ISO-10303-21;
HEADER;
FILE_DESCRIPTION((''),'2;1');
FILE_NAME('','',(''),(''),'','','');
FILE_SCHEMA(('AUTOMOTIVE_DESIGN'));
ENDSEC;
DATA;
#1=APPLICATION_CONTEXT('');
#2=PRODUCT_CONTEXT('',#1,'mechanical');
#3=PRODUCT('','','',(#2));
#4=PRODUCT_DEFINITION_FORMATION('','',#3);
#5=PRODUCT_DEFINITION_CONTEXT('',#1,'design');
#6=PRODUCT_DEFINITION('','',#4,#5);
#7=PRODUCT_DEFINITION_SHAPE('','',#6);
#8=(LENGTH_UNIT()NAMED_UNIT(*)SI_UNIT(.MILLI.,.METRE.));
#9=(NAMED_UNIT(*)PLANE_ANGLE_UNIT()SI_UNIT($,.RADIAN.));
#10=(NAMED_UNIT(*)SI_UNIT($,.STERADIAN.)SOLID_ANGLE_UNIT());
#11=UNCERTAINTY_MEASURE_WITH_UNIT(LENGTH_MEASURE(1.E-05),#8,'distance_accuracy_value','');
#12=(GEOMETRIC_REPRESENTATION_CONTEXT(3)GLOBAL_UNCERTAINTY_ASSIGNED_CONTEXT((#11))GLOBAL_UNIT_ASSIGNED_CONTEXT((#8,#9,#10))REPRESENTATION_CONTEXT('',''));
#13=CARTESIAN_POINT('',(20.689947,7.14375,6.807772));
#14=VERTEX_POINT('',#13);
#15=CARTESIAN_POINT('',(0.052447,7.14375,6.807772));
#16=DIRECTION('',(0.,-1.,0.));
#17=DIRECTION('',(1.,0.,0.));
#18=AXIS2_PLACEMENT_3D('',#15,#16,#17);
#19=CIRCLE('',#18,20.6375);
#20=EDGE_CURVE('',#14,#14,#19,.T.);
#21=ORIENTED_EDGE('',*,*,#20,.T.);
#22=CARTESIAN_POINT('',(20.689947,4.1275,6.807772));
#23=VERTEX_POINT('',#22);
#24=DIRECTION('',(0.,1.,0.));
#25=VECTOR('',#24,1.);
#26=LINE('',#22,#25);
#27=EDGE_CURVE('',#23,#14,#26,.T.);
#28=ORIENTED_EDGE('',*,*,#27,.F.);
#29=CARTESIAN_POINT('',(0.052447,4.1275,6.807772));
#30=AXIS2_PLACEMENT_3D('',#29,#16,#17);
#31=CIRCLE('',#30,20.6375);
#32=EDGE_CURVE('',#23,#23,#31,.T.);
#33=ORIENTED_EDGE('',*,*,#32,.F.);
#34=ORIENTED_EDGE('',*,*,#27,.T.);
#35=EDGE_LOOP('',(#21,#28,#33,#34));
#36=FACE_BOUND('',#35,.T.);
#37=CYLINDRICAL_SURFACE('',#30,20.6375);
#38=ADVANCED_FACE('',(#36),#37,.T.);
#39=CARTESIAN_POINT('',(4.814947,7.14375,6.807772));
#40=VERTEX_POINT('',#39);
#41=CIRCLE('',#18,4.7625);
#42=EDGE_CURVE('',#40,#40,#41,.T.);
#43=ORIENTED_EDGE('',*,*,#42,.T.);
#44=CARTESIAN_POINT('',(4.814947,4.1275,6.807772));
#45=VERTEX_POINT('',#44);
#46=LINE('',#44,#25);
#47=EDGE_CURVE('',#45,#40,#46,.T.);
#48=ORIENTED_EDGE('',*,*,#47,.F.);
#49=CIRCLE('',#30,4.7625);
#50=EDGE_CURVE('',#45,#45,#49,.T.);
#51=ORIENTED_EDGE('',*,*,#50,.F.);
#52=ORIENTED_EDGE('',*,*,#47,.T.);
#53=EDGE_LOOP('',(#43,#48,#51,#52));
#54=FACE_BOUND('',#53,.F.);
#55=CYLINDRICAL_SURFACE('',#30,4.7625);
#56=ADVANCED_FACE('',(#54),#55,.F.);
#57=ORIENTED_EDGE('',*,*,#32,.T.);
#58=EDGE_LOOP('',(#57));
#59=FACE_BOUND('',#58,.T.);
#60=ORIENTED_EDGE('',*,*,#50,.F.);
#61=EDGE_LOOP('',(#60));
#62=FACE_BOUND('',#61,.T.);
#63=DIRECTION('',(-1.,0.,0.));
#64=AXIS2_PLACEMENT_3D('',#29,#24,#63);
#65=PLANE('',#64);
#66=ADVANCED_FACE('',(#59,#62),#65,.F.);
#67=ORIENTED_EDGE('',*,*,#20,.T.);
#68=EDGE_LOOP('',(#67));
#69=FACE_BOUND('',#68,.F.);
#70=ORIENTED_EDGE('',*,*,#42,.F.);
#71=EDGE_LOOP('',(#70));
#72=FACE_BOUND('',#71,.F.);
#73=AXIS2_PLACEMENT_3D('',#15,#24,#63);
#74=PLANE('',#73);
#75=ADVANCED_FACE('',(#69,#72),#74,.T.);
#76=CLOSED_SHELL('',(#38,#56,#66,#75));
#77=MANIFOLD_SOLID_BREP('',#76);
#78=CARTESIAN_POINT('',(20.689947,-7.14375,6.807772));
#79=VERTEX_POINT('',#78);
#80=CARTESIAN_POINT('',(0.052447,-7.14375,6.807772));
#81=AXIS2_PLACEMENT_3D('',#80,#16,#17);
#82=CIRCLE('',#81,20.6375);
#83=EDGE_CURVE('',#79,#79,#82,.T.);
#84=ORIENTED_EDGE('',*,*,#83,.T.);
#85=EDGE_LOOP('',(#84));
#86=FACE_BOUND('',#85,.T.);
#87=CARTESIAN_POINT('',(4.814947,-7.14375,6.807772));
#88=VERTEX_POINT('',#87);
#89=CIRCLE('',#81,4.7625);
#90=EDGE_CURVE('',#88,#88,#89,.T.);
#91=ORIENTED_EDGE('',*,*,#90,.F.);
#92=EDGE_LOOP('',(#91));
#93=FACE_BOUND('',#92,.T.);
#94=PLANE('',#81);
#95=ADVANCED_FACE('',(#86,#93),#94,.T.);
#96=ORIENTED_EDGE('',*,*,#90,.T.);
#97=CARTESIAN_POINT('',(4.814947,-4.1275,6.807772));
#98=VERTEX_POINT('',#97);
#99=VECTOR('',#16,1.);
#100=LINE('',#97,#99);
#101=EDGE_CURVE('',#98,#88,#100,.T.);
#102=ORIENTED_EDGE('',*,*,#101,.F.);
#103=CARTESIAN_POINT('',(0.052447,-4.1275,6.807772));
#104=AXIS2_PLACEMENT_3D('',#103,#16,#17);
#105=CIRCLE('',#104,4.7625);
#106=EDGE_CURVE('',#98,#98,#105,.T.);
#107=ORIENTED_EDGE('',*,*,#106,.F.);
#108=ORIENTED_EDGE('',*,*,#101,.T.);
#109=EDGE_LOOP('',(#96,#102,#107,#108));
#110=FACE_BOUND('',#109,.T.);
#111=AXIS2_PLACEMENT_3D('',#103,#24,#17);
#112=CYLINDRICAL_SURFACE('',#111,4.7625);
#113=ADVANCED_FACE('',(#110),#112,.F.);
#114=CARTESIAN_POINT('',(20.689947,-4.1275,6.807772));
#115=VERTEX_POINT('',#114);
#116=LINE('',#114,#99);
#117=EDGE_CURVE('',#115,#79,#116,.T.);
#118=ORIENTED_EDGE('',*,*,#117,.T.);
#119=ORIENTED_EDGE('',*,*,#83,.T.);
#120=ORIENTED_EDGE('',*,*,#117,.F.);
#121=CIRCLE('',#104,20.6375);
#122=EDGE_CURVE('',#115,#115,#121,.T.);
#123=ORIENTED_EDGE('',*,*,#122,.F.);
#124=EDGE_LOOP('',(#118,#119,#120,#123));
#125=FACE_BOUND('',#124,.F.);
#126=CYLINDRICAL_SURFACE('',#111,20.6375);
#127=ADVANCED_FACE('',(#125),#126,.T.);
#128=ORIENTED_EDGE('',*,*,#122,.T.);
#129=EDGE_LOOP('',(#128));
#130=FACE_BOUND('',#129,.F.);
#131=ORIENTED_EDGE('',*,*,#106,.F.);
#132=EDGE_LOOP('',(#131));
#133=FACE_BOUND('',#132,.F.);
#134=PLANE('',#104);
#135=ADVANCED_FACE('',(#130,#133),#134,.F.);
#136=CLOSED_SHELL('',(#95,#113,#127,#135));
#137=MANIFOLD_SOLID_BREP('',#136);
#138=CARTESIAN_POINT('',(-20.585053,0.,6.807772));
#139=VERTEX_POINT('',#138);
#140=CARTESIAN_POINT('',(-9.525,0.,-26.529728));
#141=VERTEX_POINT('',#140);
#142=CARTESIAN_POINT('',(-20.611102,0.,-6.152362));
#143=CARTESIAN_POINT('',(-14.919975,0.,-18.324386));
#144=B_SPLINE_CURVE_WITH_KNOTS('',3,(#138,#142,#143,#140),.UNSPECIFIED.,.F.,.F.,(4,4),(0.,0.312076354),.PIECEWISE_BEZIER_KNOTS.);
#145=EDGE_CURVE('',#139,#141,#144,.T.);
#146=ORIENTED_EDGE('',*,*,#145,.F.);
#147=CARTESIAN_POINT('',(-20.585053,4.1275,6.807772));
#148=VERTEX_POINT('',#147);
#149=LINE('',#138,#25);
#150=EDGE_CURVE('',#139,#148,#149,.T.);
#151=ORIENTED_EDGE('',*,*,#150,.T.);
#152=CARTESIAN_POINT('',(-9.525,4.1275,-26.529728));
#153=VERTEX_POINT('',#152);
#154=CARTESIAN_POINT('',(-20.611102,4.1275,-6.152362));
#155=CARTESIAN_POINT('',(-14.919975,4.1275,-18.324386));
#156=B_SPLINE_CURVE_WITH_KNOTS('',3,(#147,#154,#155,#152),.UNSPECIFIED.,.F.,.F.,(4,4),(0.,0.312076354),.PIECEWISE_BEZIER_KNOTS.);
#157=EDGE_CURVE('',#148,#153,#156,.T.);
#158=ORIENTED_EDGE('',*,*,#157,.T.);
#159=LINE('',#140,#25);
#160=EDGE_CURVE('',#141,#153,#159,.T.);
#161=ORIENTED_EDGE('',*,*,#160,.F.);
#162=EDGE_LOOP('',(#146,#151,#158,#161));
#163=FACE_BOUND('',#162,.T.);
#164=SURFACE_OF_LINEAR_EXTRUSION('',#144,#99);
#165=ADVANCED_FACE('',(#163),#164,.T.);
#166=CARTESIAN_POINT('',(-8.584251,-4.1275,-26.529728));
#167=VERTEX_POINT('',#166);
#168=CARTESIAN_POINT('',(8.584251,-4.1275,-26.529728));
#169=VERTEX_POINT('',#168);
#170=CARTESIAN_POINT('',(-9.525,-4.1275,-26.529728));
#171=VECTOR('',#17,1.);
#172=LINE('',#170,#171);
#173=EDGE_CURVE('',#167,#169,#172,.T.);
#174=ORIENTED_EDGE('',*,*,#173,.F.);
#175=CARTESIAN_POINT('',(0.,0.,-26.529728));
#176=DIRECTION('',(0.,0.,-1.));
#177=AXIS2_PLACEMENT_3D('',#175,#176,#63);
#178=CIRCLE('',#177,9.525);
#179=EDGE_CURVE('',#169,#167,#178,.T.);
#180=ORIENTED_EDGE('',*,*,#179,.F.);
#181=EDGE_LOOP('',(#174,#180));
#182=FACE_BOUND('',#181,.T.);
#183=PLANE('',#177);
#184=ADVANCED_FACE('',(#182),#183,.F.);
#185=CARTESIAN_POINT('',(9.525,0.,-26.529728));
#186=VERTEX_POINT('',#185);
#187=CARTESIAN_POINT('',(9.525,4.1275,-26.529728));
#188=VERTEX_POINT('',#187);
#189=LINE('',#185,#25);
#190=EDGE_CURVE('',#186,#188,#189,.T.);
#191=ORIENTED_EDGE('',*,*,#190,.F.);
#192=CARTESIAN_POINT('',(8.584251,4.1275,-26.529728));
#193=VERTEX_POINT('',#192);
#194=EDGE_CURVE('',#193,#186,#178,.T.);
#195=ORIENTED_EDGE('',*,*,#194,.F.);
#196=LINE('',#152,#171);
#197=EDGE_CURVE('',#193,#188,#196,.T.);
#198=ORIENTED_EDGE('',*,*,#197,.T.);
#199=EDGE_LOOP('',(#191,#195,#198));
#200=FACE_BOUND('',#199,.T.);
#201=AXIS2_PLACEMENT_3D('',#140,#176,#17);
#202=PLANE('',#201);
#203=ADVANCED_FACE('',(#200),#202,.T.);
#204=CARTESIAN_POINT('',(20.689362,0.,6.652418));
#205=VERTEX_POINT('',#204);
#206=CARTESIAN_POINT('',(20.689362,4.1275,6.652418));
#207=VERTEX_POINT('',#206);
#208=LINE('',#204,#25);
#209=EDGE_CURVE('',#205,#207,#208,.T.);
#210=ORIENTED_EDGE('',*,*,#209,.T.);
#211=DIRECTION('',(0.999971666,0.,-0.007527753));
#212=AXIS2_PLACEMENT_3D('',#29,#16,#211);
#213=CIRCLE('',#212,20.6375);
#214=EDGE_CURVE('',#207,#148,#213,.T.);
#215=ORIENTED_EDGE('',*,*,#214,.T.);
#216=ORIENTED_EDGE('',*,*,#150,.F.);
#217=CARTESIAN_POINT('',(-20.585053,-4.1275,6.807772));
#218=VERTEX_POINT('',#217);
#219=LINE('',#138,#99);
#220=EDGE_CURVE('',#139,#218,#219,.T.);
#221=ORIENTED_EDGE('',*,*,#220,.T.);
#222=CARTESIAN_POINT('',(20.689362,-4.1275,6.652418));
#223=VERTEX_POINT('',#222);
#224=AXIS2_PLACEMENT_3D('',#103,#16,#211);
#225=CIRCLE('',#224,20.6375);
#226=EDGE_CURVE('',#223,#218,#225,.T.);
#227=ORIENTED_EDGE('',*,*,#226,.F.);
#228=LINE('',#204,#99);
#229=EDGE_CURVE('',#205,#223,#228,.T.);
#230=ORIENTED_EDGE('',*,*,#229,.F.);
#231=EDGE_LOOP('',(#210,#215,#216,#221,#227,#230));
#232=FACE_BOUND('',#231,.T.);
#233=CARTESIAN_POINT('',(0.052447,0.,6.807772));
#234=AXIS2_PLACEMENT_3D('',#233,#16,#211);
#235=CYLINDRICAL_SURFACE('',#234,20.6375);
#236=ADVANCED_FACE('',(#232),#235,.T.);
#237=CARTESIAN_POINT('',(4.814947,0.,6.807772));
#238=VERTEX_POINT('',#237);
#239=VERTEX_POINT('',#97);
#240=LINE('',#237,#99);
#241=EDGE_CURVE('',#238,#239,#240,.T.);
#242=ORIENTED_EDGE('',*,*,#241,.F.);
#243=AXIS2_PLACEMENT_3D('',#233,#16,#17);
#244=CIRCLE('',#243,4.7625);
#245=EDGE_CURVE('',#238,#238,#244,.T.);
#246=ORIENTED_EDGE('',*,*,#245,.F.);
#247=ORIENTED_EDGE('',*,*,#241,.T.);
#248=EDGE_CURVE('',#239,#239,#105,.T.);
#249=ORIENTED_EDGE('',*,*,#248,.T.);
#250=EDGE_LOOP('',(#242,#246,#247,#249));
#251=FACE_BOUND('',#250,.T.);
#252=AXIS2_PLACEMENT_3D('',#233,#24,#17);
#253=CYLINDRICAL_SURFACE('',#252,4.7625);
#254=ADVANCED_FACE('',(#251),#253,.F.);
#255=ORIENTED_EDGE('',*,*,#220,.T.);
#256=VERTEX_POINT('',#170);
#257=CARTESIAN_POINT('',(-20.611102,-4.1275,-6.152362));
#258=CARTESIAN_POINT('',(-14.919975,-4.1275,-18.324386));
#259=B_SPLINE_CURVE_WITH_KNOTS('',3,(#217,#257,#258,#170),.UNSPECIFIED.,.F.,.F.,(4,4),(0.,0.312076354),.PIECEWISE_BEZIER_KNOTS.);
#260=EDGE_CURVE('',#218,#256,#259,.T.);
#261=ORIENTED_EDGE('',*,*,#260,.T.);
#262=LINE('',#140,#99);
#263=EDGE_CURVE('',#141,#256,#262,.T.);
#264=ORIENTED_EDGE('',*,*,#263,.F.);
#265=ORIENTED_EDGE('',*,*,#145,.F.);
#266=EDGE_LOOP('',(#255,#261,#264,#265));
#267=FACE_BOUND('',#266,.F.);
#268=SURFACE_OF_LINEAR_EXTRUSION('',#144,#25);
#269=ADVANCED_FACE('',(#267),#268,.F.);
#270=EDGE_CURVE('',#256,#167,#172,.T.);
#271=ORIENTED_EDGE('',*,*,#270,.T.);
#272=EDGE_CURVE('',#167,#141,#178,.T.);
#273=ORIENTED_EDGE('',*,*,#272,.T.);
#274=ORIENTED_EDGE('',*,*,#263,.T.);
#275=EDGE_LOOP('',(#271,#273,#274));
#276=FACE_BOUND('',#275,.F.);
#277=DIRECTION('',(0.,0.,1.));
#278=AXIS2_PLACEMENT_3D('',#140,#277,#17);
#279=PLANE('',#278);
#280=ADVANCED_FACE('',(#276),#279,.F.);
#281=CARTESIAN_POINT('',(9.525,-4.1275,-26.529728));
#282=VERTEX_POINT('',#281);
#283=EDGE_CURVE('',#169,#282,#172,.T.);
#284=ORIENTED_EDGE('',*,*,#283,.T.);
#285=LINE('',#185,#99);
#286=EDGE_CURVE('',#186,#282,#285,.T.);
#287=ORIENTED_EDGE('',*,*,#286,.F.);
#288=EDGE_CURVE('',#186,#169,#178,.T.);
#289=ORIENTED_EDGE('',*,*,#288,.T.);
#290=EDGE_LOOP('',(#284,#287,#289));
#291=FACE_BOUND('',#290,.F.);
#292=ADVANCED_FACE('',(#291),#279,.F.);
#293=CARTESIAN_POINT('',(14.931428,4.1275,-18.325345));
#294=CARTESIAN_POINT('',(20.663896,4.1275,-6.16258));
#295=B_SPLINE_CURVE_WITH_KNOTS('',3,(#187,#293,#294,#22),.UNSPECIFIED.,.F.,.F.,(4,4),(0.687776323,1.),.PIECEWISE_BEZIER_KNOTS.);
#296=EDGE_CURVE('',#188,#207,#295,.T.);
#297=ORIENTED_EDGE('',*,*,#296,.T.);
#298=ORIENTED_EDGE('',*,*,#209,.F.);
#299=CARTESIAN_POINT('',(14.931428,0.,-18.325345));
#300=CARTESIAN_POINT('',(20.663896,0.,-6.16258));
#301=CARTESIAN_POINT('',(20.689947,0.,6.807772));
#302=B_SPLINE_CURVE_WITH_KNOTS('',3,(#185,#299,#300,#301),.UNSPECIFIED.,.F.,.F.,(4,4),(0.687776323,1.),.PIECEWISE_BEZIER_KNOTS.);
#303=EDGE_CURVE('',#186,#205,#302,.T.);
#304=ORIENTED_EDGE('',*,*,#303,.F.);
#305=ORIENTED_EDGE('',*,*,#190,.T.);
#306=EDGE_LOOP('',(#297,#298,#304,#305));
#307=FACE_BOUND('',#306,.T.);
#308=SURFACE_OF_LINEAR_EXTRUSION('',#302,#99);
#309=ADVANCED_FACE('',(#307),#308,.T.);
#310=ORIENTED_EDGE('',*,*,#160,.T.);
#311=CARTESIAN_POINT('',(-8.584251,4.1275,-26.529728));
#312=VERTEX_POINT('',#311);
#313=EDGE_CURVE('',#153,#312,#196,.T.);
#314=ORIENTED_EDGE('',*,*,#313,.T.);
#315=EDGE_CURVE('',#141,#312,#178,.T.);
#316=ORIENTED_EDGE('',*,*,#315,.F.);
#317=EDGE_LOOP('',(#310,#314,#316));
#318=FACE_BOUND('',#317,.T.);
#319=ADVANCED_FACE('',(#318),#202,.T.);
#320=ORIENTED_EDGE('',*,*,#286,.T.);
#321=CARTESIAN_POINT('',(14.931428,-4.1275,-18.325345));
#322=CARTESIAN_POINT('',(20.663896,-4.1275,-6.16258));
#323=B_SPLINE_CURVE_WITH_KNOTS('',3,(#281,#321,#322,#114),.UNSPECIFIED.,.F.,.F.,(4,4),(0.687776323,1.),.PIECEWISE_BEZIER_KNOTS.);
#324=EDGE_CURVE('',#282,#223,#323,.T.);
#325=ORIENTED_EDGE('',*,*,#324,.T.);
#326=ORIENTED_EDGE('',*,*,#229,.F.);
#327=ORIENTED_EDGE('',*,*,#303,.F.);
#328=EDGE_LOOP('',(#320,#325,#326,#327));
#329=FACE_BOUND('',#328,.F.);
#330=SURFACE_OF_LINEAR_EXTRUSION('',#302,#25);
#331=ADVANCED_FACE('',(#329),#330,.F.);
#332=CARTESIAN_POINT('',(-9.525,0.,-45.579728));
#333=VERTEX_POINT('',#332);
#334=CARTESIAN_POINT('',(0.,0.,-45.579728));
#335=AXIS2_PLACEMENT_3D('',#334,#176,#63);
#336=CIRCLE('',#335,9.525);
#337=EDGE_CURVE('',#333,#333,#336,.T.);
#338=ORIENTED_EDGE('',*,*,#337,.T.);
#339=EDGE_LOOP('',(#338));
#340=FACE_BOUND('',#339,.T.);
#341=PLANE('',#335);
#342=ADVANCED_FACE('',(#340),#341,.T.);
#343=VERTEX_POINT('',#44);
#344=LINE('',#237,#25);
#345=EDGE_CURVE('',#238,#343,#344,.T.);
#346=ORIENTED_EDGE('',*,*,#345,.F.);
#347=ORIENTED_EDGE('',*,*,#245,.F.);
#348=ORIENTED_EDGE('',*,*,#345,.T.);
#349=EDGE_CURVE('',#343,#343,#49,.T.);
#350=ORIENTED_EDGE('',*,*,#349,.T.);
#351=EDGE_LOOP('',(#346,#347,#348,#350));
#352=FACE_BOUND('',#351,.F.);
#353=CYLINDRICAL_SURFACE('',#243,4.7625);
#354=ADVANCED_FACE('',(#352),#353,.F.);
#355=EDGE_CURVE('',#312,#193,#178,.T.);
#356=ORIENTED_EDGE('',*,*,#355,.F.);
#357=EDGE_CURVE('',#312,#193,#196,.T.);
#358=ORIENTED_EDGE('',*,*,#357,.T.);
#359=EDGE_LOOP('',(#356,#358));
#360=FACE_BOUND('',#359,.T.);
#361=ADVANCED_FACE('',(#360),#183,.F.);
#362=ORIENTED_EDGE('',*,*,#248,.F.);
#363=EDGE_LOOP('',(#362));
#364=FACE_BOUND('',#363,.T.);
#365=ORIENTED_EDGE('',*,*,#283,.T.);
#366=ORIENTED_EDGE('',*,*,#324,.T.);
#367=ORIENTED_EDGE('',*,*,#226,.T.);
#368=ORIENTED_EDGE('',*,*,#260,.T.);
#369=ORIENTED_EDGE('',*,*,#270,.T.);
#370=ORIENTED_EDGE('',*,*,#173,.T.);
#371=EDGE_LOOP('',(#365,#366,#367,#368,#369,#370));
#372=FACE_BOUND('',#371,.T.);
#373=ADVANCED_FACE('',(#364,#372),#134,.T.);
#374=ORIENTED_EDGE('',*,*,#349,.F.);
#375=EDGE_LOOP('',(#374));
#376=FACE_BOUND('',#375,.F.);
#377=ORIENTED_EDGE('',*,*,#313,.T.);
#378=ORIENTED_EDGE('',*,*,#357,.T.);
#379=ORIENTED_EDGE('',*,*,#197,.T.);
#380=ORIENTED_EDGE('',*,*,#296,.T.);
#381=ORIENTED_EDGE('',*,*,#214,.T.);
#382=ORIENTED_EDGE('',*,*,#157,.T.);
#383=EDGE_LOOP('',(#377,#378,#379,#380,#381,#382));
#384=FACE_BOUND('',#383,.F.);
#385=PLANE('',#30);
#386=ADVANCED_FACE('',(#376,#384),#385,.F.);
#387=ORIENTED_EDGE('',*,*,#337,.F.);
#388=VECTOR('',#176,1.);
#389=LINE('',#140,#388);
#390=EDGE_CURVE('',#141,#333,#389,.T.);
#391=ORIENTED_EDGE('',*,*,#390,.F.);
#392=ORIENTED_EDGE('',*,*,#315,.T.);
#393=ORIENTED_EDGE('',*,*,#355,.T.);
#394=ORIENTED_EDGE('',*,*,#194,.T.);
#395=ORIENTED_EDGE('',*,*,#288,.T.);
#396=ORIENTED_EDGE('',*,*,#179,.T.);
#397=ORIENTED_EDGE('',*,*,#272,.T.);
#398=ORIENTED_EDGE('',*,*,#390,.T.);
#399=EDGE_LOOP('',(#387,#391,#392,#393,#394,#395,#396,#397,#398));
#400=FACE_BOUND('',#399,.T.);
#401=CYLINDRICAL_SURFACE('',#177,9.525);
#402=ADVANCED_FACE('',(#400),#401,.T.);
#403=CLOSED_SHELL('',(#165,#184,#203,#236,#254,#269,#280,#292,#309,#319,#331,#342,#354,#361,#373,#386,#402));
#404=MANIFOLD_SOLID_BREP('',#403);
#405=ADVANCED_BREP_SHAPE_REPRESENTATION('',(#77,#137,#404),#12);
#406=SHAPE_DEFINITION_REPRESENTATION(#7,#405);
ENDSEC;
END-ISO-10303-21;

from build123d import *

# Parameters (mm, degrees)
F0_R          = 4.7625
F2_DEPTH      = 4.1275
F2_DEPTH_BACK = 4.1275
F3_START      = 4.1275
F3_DEPTH      = 3.01625


with BuildPart() as f1:
    # F0 (on Front) → F1 (revolve)
    with BuildSketch(Plane.XZ):
        with BuildLine():
            add(Edge.make_bspline(
                [(-9.525, -26.529728329), (-6.2775706923, -31.468818827), (-3.1374456756, -34.9706735986), (0, -34.9699468051)],
                knots=[0.3120763543, 0.3120763543, 0.3120763543, 0.3120763543, 0.4999263386, 0.4999263386, 0.4999263386, 0.4999263386], degree=3))
            Line((-9.525, -26.529728329), (-9.525, -45.579728329))
            Line((-9.525, -45.579728329), (0, -45.579728329))
            Line((0, -45.579728329), (0, -34.9699468051))
        make_face()
        with BuildLine():
            Line((0, -26.529728329), (-9.525, -26.529728329))
            add(Edge.make_bspline(
                [(-9.525, -26.529728329), (-6.2775706923, -31.468818827), (-3.1374456756, -34.9706735986), (0, -34.9699468051)],
                knots=[0.3120763543, 0.3120763543, 0.3120763543, 0.3120763543, 0.4999263386, 0.4999263386, 0.4999263386, 0.4999263386], degree=3))
            Line((0, -34.9699468051), (0, -26.529728329))
        make_face()
    revolve(axis=Axis((0, 0, -36.054728329), (0, 0, -1)))

    # F0 (on Front) → F2 (join, two sides)
    with BuildSketch(Plane.XZ) as f2_sk:
        with BuildLine():
            ThreePointArc((-20.5850532055, 6.807771671), (0.0524467945, -13.829728329), (20.6899467945, 6.807771671))
            ThreePointArc((20.6899467945, 6.807771671), (0.0524467945, 27.445271671), (-20.5850532055, 6.807771671))
        make_face()
        with Locations((0.0524467945, 6.807771671)):
            Circle(F0_R, mode=Mode.SUBTRACT)
        with BuildLine():
            add(Edge.make_bspline(
                [(9.525, -26.529728329), (14.931428061, -18.3253448521), (20.6638962408, -6.1625799815), (20.6899467945, 6.807771671)],
                knots=[0.687776323, 0.687776323, 0.687776323, 0.687776323, 1, 1, 1, 1], degree=3))
            ThreePointArc((20.6899467945, 6.807771671), (0.0524467945, -13.829728329), (-20.5850532055, 6.807771671))
            add(Edge.make_bspline(
                [(-20.5850532055, 6.807771671), (-20.6111024945, -6.1523622547), (-14.9199746264, -18.3243863833), (-9.525, -26.529728329)],
                knots=[0, 0, 0, 0, 0.3120763543, 0.3120763543, 0.3120763543, 0.3120763543], degree=3))
            Line((-9.525, -26.529728329), (0, -26.529728329))
            Line((0, -26.529728329), (9.525, -26.529728329))
        make_face()
    extrude(amount=F2_DEPTH)
    extrude(f2_sk.sketch, amount=-F2_DEPTH_BACK)


with BuildPart() as f3:
    # F0 (on Front) → F3 (new body)
    with BuildSketch(Plane.XZ.offset(F3_START)):
        with BuildLine():
            ThreePointArc((-20.5850532055, 6.807771671), (0.0524467945, -13.829728329), (20.6899467945, 6.807771671))
            ThreePointArc((20.6899467945, 6.807771671), (0.0524467945, 27.445271671), (-20.5850532055, 6.807771671))
        make_face()
        with Locations((0.0524467945, 6.807771671)):
            Circle(F0_R, mode=Mode.SUBTRACT)
    extrude(amount=F3_DEPTH)


with BuildPart() as f4_1:
    # F4: instance of F3
    add(f3.part.mirror(Plane.XZ))


solid = Compound([f1.part, f3.part, f4_1.part])
